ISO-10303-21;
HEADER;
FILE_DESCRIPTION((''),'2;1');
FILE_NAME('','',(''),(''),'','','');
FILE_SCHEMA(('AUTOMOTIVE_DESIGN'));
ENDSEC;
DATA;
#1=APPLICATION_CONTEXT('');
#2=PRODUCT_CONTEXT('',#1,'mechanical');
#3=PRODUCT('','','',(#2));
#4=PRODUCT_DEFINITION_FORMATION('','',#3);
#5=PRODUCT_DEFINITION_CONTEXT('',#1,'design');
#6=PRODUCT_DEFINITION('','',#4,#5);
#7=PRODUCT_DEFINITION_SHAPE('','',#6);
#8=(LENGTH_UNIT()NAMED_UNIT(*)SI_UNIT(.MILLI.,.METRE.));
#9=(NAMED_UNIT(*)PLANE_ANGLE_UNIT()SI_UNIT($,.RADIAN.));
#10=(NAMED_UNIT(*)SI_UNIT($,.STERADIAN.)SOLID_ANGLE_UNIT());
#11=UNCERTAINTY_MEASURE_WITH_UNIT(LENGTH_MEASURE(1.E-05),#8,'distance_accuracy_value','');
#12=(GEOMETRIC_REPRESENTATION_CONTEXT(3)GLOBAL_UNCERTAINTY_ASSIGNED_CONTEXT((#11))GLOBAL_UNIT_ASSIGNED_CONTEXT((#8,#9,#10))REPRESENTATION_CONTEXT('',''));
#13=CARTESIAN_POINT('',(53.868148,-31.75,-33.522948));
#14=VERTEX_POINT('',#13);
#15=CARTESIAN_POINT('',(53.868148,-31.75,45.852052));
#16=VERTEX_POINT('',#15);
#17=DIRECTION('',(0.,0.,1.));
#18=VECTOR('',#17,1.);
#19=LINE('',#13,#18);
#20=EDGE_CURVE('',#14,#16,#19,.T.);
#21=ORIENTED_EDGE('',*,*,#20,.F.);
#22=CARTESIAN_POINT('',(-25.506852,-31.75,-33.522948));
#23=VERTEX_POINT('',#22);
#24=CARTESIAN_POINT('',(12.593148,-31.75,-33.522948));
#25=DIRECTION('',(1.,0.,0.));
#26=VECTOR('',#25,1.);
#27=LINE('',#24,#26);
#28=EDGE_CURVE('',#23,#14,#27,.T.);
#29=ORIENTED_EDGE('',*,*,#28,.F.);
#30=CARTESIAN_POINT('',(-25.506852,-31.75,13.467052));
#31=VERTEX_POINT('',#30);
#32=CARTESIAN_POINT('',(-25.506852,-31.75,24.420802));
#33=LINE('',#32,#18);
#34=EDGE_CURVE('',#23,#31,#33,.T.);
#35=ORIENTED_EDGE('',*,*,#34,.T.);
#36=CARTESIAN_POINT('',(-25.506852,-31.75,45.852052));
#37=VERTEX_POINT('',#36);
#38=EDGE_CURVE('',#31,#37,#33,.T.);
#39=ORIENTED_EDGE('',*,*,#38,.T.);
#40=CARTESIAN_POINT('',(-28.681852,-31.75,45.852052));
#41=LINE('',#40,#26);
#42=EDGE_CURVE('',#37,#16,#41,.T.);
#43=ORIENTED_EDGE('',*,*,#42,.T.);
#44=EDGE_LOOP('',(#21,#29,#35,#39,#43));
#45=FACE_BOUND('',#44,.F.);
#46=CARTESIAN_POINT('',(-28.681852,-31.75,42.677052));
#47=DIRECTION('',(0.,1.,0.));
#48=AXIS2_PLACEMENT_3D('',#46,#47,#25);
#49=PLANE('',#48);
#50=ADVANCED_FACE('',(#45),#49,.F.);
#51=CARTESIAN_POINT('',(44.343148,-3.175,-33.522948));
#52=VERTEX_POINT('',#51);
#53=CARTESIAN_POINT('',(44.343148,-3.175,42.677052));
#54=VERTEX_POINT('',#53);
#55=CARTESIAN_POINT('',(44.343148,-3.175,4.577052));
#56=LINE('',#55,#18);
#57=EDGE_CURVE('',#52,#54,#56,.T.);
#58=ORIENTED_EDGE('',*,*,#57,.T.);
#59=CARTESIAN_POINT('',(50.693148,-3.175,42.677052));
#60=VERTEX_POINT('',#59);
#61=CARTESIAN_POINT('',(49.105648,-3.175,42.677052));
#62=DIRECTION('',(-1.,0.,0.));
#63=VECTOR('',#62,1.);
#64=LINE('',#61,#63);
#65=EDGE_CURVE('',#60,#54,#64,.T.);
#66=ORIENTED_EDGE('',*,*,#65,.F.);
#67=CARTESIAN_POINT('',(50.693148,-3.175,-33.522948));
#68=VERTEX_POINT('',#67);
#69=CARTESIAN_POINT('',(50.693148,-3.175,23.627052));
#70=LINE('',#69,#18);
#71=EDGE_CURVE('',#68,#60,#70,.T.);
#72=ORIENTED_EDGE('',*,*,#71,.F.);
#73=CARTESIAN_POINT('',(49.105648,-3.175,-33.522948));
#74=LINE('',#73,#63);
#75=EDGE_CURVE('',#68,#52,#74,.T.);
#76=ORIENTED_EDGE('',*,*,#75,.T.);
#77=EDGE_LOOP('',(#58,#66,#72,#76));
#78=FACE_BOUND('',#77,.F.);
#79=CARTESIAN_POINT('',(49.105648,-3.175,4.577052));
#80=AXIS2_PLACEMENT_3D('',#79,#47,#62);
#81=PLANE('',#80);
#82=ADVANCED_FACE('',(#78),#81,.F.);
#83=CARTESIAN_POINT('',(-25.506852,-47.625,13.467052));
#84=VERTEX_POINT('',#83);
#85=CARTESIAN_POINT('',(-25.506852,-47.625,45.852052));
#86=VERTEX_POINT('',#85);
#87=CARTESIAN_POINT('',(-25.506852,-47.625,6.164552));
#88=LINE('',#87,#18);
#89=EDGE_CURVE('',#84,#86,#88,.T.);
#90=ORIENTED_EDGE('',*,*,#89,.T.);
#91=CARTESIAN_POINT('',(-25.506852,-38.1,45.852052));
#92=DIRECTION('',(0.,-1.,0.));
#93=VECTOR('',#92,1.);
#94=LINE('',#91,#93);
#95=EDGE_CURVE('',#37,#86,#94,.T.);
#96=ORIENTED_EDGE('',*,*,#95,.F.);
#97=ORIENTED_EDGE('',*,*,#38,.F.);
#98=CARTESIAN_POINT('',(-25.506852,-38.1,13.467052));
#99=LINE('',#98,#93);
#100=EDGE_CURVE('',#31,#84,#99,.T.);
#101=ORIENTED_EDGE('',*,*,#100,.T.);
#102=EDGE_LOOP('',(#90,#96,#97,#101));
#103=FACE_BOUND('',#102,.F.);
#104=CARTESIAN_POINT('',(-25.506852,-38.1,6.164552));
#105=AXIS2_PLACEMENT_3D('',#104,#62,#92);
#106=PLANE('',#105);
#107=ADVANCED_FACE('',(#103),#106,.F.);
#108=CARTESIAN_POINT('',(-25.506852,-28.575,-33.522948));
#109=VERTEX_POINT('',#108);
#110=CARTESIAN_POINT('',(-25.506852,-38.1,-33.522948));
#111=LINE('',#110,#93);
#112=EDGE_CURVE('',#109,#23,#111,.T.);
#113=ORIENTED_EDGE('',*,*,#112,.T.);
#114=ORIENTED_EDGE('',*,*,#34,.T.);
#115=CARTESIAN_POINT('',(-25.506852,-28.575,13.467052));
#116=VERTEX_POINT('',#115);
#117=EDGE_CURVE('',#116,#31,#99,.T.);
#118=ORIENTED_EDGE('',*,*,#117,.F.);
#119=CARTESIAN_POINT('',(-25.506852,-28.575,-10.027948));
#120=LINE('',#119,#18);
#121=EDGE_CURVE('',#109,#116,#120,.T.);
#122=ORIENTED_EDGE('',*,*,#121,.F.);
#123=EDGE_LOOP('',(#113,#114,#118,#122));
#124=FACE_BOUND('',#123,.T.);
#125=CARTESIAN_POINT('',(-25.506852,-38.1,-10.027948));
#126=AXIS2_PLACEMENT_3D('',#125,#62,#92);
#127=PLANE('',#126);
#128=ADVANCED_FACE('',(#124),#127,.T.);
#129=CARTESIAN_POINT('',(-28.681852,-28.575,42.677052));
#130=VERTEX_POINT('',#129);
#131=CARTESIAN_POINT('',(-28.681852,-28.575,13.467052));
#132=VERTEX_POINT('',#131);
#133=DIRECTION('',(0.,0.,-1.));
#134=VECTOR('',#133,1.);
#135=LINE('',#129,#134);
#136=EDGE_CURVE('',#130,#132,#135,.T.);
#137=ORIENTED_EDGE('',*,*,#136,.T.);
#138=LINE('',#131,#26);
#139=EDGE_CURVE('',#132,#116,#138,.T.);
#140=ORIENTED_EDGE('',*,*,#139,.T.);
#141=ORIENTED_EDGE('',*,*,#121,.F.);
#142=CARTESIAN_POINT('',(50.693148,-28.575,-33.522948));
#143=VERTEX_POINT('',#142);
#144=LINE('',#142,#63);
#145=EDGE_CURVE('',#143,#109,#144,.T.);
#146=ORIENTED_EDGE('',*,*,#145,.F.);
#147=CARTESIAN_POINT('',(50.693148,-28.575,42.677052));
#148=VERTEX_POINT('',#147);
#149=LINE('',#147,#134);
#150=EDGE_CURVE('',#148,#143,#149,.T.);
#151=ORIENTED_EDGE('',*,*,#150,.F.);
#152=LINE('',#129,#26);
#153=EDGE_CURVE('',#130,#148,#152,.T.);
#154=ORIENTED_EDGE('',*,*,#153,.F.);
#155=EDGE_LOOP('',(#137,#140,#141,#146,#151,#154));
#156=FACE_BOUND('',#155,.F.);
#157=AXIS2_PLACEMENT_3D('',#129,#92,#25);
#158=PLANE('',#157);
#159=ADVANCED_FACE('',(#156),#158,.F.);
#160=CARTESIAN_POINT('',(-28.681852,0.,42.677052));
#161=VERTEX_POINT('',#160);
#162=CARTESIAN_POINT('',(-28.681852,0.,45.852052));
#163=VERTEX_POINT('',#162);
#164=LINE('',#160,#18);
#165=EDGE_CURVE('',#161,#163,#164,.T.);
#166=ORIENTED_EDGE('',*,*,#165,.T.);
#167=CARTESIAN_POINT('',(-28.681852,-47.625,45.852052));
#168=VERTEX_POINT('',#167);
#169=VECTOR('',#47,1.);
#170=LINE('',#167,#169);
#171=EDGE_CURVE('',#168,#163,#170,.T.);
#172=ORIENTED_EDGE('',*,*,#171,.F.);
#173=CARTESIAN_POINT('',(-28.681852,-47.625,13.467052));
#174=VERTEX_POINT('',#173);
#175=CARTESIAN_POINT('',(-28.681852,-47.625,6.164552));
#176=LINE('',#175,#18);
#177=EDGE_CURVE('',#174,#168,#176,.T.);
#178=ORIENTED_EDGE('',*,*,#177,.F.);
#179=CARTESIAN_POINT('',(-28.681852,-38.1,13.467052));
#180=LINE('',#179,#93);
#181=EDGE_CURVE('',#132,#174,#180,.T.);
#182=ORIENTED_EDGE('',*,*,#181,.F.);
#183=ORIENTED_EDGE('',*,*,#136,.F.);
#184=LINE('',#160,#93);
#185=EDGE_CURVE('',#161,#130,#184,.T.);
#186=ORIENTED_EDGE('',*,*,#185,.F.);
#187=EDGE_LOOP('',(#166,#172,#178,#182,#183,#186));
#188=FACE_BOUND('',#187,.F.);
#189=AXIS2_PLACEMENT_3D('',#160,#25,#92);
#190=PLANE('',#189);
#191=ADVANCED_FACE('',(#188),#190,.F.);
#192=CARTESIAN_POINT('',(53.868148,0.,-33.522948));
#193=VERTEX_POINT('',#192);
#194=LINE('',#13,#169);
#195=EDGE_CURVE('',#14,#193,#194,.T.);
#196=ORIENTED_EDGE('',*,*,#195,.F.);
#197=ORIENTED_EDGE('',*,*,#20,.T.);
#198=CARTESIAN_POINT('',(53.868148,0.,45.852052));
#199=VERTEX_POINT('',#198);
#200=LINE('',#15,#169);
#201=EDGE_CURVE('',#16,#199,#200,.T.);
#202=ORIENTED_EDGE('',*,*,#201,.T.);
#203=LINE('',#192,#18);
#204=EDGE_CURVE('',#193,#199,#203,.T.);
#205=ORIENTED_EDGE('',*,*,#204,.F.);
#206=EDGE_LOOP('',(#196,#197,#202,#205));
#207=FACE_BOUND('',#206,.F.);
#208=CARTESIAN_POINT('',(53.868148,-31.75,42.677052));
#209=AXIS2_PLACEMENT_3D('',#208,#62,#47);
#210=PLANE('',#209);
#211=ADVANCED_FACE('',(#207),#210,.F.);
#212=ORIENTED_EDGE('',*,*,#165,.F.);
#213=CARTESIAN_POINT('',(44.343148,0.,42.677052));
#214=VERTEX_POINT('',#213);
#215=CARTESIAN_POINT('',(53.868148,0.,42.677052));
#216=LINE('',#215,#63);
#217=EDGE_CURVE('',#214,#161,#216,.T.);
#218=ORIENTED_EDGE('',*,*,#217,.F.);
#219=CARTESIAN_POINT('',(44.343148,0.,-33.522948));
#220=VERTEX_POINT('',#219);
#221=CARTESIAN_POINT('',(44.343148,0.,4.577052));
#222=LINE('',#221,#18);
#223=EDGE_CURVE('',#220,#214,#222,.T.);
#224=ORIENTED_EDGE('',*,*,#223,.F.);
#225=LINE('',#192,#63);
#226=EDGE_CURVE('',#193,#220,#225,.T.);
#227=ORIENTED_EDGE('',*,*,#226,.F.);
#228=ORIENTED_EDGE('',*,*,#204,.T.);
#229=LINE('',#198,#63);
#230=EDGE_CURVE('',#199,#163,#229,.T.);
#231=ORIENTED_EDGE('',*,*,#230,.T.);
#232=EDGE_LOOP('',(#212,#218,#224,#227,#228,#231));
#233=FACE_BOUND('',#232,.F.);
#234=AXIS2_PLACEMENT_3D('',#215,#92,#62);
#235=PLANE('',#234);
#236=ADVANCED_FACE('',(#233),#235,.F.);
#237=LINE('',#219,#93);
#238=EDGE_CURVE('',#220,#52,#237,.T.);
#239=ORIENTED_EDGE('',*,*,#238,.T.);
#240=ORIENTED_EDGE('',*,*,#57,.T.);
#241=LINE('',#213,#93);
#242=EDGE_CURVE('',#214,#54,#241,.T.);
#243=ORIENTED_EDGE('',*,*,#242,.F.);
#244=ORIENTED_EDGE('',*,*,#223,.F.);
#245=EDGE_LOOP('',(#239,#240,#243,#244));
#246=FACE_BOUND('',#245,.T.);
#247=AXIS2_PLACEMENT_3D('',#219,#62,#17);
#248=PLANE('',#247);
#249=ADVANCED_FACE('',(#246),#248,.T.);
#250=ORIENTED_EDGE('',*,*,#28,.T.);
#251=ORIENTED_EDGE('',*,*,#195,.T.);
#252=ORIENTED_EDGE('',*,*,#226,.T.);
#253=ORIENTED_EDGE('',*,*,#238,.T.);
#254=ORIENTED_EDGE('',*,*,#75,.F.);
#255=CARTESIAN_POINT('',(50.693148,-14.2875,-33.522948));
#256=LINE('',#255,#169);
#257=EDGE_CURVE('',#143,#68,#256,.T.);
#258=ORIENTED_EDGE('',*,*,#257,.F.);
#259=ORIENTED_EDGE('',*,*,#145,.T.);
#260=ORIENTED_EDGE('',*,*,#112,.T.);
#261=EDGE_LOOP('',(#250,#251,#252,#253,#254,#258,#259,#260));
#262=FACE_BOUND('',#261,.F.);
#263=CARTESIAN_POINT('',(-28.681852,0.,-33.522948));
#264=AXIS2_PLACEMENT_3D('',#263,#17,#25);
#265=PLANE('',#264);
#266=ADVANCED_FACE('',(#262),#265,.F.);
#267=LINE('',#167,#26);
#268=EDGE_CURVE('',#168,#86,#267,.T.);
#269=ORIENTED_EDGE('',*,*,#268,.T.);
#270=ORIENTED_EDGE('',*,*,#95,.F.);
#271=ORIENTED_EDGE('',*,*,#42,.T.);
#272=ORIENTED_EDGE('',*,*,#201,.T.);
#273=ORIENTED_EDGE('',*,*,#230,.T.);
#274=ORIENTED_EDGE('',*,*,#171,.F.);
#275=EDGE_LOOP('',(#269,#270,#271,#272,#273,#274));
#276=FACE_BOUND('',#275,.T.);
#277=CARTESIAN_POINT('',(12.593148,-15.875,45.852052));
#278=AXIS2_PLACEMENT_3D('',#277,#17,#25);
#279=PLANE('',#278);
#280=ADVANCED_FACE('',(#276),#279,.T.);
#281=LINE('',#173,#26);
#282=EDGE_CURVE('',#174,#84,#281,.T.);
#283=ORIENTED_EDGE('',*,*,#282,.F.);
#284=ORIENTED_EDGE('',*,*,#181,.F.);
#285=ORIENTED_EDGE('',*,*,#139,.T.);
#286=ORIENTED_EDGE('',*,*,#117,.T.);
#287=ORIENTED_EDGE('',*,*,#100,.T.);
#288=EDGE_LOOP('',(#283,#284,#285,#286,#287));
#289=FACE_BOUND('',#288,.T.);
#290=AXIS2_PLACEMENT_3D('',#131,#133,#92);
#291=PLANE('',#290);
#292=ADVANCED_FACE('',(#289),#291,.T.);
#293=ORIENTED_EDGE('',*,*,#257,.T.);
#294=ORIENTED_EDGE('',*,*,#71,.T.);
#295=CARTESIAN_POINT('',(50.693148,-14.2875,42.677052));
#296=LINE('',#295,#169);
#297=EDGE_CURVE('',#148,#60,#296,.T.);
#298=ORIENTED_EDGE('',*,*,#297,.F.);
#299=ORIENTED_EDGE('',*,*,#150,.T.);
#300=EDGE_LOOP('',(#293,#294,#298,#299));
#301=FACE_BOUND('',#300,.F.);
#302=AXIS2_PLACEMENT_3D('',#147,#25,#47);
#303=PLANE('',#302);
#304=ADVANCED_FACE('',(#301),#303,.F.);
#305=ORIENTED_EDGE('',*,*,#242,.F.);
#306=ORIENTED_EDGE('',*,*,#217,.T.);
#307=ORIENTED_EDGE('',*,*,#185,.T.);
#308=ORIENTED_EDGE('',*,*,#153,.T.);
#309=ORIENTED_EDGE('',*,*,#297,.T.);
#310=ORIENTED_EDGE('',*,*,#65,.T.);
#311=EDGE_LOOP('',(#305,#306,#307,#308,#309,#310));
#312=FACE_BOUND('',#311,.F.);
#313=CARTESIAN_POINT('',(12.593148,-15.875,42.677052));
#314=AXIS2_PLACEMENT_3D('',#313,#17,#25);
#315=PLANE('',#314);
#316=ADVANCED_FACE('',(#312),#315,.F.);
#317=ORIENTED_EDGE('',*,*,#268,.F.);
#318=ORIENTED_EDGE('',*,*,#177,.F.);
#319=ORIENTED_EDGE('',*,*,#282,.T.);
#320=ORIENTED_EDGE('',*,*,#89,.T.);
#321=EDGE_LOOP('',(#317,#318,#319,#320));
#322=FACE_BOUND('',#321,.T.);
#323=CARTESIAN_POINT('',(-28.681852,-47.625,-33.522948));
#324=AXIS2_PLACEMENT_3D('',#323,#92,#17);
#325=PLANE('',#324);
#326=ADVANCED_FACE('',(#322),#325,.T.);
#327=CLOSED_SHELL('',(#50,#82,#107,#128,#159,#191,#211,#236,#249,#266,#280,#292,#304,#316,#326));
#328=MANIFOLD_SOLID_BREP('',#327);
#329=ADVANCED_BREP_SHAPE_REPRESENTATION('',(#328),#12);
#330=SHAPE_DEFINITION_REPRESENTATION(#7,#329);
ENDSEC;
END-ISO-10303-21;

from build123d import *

# Parameters (mm, degrees)
F0_W      = 82.55
F0_H      = 76.2
F1_DEPTH  = 31.75
F2_W      = 79.375
F2_H      = 28.575
F3_DEPTH  = 101.6
F4_W      = 9.525
F4_H      = 76.2
F5_DEPTH  = 3.175
F7_DEPTH  = 3.175
F8_W      = 19.05
F8_H      = 79.375
F9_DEPTH  = 3.175
F10_W     = 19.05
F10_H     = 46.99
F11_DEPTH = 3.175


with BuildPart() as f1:
    # F0 (on Front) → F1 (new body)
    with BuildSketch(Plane.XZ):
        with Locations((12.593148, 4.577052)):
            Rectangle(F0_W, F0_H)
    extrude(amount=F1_DEPTH)

    # F2 (on face) → F3 (cut)
    with BuildSketch(Plane.XY.offset(42.677052)):
        with Locations((11.005648, -14.2875)):
            Rectangle(F2_W, F2_H)
    extrude(amount=-F3_DEPTH, mode=Mode.SUBTRACT)

    # F4 (on face) → F5 (join)
    with BuildSketch(Plane(origin=(0, 0, 0), x_dir=(-1, 0, 0), z_dir=(0, 1, 0))):
        with Locations((-49.105648, 4.577052)):
            Rectangle(F4_W, F4_H)
    extrude(amount=-F5_DEPTH)

    # F6 (on face) → F7 (join)
    with BuildSketch(Plane.XY.offset(42.677052)):
        Polygon((-28.681852, -31.75), (53.868148, -31.75), (53.868148, 0), (-28.681852, 0), (-28.681852, -28.575), align=None)
    extrude(amount=F7_DEPTH)

    # F8 (on face) → F9 (join)
    with BuildSketch(Plane(origin=(-28.681852, 0, 0), x_dir=(0, -1, 0), z_dir=(-1, 0, 0))):
        with Locations((38.1, 6.164552)):
            Rectangle(F8_W, F8_H)
    extrude(amount=-F9_DEPTH)

    # F10 (on face) → F11 (cut)
    with BuildSketch(Plane(origin=(-28.681852, 0, 0), x_dir=(0, -1, 0), z_dir=(-1, 0, 0))):
        with Locations((38.1, -10.027948)):
            Rectangle(F10_W, F10_H)
    extrude(amount=-F11_DEPTH, mode=Mode.SUBTRACT)


solid = f1.part
